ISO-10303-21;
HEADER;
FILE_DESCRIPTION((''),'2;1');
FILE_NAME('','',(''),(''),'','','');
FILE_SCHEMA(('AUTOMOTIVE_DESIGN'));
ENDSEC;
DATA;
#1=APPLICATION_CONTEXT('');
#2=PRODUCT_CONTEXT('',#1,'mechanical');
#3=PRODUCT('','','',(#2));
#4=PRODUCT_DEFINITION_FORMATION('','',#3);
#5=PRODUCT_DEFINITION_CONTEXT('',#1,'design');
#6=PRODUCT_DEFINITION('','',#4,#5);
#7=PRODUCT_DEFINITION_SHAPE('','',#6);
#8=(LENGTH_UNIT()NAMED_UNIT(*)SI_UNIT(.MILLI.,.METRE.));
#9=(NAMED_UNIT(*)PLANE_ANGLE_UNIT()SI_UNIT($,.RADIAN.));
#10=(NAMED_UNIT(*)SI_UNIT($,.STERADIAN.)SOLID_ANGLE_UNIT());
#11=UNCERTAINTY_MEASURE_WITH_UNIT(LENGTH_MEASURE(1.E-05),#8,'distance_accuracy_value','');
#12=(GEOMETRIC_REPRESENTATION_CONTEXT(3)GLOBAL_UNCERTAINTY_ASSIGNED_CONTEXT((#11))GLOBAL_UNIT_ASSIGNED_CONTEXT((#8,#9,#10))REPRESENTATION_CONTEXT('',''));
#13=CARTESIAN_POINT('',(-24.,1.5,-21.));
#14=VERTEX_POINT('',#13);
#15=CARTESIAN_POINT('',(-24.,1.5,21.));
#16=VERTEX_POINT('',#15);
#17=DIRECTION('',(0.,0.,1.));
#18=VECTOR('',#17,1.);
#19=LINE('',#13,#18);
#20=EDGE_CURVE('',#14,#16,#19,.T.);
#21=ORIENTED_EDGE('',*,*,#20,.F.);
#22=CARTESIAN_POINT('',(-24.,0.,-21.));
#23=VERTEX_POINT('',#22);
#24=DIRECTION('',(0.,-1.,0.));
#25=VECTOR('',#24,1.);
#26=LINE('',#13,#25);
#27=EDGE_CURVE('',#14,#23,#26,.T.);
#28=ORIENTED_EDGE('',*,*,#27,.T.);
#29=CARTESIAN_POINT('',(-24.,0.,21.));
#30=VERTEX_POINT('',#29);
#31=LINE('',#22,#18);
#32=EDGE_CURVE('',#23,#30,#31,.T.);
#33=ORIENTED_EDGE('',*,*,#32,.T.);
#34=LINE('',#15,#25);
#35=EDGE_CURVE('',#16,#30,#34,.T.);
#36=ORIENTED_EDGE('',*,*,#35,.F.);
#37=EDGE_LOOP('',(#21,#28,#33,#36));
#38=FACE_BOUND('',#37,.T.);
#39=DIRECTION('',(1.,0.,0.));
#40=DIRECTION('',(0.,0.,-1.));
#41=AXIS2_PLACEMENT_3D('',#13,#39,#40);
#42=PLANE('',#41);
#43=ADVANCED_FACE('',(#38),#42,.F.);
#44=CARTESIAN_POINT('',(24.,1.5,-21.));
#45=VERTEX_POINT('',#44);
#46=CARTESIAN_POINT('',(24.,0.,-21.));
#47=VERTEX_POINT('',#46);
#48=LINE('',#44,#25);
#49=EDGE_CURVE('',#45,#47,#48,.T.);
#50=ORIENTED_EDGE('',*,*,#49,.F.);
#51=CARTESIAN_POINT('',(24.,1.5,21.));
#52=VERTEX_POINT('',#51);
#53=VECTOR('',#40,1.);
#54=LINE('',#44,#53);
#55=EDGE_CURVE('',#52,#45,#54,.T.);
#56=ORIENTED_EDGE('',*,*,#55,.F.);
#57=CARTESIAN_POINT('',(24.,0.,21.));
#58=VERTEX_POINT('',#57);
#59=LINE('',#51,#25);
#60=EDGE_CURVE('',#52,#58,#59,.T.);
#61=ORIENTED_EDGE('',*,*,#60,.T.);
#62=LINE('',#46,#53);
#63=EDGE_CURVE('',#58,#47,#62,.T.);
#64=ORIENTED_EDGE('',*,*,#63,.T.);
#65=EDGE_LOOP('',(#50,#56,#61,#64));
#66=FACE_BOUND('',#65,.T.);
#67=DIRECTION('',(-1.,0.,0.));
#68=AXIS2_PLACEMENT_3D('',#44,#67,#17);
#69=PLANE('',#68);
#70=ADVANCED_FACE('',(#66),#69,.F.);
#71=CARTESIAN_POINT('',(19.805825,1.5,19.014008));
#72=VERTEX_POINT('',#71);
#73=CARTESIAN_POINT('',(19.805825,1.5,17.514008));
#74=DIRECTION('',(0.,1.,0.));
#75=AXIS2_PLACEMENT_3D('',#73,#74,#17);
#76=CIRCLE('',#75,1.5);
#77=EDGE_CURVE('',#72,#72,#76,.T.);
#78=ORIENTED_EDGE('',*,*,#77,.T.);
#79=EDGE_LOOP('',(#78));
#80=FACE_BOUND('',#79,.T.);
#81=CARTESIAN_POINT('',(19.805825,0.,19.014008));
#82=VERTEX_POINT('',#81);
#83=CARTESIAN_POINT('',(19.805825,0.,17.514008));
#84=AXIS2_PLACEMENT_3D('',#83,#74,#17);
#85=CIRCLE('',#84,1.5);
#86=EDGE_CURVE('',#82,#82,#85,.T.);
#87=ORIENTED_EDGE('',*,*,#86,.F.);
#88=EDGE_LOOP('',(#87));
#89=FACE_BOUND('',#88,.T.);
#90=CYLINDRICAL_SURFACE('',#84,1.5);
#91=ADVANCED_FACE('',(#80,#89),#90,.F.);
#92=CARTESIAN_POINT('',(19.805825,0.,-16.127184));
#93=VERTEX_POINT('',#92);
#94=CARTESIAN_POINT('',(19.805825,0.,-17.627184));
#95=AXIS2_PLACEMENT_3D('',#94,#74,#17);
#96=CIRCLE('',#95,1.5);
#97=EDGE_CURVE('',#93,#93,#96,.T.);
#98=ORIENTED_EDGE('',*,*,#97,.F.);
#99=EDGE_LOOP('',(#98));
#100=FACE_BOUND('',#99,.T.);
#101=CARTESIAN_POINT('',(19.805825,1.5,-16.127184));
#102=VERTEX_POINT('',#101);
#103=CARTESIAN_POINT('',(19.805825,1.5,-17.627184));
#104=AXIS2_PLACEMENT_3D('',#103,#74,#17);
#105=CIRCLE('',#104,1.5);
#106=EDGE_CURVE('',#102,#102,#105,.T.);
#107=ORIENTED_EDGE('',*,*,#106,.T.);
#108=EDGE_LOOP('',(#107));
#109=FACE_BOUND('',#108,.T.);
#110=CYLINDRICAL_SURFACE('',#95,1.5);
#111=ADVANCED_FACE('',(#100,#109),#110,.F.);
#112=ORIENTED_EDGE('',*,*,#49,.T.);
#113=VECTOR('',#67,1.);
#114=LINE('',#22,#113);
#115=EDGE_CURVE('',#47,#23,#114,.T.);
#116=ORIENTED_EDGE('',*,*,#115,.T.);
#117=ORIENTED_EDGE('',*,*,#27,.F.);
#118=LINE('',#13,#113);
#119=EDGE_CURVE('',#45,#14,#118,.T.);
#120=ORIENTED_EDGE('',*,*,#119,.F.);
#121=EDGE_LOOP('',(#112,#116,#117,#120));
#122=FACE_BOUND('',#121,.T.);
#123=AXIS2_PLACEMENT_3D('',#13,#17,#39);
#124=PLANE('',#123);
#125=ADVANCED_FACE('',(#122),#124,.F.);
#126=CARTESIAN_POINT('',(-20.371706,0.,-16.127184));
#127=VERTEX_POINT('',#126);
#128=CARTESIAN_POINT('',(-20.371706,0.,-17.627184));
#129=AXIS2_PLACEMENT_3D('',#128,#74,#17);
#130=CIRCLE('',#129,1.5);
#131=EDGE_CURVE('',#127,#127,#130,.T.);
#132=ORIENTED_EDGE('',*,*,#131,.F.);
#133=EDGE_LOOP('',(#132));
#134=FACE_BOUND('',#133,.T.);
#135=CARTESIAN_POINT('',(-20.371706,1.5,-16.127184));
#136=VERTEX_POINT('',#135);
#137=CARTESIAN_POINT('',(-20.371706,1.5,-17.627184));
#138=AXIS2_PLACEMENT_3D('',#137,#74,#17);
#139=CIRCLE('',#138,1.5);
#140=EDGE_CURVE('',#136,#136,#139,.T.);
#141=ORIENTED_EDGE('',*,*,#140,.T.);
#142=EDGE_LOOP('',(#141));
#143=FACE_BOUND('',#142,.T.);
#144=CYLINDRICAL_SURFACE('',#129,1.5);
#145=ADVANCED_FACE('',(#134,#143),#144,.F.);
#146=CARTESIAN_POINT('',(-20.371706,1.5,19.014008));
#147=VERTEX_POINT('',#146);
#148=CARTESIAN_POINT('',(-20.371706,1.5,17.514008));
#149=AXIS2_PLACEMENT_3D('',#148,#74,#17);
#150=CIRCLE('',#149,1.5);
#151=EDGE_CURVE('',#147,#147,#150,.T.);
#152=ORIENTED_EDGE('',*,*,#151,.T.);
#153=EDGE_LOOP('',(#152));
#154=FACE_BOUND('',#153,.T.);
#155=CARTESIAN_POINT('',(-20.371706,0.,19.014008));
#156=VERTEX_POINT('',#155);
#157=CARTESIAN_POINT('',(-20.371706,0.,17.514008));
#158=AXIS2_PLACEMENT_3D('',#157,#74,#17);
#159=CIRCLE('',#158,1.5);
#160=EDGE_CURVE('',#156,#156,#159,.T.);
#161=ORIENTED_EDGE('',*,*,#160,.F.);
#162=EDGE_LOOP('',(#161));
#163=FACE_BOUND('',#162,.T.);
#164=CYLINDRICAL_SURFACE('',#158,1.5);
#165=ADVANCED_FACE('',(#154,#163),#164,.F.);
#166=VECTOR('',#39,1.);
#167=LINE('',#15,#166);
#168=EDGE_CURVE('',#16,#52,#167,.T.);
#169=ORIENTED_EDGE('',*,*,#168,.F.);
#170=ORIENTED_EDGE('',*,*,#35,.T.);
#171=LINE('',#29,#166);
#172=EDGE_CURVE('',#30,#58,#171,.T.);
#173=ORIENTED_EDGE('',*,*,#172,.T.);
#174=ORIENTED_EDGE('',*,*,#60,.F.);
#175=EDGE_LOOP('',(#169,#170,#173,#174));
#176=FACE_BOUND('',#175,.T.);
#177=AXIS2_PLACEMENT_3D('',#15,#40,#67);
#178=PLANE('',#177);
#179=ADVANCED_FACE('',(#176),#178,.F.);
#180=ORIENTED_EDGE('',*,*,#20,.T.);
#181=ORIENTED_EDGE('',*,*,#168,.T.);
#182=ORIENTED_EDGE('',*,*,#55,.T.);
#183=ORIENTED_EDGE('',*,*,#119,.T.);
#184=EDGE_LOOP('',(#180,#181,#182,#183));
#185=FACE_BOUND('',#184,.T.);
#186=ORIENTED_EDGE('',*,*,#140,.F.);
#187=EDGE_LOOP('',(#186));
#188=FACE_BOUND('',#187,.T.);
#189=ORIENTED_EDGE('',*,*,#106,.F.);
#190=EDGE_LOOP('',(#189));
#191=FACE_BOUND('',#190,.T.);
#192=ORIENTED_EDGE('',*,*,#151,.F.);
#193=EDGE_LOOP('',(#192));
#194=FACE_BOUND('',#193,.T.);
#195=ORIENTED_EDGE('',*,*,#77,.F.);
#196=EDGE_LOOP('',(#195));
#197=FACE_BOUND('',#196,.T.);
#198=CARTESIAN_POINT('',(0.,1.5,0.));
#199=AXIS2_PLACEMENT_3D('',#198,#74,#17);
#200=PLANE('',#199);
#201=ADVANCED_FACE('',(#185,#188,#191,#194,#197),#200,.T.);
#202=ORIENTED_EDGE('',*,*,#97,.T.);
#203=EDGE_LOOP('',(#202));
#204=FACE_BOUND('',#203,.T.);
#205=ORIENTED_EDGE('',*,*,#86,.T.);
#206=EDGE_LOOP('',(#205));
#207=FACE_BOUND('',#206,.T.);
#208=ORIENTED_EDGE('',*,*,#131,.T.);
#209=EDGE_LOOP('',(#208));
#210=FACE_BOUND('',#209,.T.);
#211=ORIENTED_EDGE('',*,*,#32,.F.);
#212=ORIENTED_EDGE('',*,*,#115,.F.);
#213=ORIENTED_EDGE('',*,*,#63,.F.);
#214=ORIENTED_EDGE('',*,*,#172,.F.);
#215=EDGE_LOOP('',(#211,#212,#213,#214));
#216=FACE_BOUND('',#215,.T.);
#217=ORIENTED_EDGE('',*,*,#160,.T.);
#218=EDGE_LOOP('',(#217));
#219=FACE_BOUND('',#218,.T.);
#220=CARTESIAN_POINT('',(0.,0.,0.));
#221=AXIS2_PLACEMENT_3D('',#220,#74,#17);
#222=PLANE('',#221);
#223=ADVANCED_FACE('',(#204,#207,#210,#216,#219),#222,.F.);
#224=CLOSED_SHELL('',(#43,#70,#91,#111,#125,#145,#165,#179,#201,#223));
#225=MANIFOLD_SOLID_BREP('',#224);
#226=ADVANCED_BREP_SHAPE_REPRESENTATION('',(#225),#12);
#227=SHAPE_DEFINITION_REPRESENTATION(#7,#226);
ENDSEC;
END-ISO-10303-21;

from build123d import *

# Parameters (mm, degrees)
SKETCH1_W           = 48
SKETCH1_H           = 42
BOSS_EXTRUDE1_DEPTH = 1.5
SKETCH2_R           = 1.5
CUT_EXTRUDE1_DEPTH  = 32.925694981


with BuildPart() as part:
    # Sketch1 → Boss-Extrude1 (new body)
    with BuildSketch(Plane(origin=(0, 0, 0), x_dir=(1, 0, 0), z_dir=(0, 1, 0))):
        Rectangle(SKETCH1_W, SKETCH1_H)
    extrude(amount=BOSS_EXTRUDE1_DEPTH)

    # Sketch2 → Cut-Extrude1 (cut, through all)
    with BuildSketch(Plane(origin=(0, 1.5, 0), x_dir=(1, 0, 0), z_dir=(0, 1, 0))):
        with Locations(Location((-20.371705676, 17.627184217, 0), (0, 0, 270))):
            Circle(SKETCH2_R)
        with Locations(Location((19.805824962, 17.627184217, 0), (0, 0, 270))):
            Circle(SKETCH2_R)
        with Locations(Location((19.805824962, -17.514008074, 0), (0, 0, 270))):
            Circle(SKETCH2_R)
        with Locations(Location((-20.371705676, -17.514008074, 0), (0, 0, 270))):
            Circle(SKETCH2_R)
    extrude(amount=-CUT_EXTRUDE1_DEPTH, mode=Mode.SUBTRACT)


solid = part.part
